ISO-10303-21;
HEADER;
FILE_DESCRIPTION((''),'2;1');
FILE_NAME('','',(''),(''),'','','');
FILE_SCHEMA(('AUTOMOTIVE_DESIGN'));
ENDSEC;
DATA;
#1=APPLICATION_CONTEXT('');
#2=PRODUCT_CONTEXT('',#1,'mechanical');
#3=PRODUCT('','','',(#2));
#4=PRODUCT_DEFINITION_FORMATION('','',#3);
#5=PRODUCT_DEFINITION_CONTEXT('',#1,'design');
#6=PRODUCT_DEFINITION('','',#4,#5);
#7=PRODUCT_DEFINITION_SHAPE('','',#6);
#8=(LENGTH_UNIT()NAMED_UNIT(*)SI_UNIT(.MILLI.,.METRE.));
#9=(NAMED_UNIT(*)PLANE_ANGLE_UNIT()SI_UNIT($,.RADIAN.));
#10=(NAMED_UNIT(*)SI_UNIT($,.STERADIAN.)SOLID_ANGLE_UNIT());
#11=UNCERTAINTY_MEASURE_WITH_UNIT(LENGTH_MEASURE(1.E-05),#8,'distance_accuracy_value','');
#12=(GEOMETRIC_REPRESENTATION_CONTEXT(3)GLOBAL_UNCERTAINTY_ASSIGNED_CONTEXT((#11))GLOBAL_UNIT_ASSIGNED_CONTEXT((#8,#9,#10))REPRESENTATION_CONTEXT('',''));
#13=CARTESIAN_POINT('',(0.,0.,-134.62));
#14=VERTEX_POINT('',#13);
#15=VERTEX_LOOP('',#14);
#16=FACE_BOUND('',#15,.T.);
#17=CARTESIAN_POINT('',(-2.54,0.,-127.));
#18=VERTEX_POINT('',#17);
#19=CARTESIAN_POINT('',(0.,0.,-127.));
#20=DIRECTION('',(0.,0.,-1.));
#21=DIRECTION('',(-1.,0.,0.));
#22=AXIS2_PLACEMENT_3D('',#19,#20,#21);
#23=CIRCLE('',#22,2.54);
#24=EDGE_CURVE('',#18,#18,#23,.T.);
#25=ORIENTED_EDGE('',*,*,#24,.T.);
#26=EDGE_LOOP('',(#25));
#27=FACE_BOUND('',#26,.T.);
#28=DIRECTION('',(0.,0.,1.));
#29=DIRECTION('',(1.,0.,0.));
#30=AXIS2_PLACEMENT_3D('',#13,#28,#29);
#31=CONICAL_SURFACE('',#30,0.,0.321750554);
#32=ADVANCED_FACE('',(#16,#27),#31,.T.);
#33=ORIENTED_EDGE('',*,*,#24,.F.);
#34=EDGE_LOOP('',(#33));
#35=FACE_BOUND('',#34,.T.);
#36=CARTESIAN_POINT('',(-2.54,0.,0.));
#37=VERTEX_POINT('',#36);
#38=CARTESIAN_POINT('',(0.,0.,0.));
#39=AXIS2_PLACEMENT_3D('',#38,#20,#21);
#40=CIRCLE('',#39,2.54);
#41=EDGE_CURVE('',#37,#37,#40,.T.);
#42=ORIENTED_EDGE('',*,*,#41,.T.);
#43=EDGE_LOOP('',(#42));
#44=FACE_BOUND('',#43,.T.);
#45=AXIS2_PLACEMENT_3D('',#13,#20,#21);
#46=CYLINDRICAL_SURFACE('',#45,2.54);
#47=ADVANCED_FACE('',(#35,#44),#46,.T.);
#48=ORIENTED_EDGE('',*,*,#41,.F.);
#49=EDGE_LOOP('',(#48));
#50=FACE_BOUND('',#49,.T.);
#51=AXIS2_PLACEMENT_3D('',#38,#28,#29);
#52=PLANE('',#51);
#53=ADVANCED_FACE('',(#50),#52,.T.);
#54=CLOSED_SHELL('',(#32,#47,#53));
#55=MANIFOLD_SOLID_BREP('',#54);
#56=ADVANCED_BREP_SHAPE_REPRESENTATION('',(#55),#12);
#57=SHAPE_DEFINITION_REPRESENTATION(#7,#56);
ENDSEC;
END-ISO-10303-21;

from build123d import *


with BuildPart() as part:
    # Sketch2 → Revolve2 (revolve)
    with BuildSketch(Plane(origin=(0, 0, 0), x_dir=(1, 0, 0), z_dir=(0, 1, 0))):
        Polygon((0, 0), (2.54, 0), (2.54, 127), (0, 134.62), align=None)
    revolve(axis=Axis((0, 0, -134.62), (0, 0, 1)))


solid = part.part
